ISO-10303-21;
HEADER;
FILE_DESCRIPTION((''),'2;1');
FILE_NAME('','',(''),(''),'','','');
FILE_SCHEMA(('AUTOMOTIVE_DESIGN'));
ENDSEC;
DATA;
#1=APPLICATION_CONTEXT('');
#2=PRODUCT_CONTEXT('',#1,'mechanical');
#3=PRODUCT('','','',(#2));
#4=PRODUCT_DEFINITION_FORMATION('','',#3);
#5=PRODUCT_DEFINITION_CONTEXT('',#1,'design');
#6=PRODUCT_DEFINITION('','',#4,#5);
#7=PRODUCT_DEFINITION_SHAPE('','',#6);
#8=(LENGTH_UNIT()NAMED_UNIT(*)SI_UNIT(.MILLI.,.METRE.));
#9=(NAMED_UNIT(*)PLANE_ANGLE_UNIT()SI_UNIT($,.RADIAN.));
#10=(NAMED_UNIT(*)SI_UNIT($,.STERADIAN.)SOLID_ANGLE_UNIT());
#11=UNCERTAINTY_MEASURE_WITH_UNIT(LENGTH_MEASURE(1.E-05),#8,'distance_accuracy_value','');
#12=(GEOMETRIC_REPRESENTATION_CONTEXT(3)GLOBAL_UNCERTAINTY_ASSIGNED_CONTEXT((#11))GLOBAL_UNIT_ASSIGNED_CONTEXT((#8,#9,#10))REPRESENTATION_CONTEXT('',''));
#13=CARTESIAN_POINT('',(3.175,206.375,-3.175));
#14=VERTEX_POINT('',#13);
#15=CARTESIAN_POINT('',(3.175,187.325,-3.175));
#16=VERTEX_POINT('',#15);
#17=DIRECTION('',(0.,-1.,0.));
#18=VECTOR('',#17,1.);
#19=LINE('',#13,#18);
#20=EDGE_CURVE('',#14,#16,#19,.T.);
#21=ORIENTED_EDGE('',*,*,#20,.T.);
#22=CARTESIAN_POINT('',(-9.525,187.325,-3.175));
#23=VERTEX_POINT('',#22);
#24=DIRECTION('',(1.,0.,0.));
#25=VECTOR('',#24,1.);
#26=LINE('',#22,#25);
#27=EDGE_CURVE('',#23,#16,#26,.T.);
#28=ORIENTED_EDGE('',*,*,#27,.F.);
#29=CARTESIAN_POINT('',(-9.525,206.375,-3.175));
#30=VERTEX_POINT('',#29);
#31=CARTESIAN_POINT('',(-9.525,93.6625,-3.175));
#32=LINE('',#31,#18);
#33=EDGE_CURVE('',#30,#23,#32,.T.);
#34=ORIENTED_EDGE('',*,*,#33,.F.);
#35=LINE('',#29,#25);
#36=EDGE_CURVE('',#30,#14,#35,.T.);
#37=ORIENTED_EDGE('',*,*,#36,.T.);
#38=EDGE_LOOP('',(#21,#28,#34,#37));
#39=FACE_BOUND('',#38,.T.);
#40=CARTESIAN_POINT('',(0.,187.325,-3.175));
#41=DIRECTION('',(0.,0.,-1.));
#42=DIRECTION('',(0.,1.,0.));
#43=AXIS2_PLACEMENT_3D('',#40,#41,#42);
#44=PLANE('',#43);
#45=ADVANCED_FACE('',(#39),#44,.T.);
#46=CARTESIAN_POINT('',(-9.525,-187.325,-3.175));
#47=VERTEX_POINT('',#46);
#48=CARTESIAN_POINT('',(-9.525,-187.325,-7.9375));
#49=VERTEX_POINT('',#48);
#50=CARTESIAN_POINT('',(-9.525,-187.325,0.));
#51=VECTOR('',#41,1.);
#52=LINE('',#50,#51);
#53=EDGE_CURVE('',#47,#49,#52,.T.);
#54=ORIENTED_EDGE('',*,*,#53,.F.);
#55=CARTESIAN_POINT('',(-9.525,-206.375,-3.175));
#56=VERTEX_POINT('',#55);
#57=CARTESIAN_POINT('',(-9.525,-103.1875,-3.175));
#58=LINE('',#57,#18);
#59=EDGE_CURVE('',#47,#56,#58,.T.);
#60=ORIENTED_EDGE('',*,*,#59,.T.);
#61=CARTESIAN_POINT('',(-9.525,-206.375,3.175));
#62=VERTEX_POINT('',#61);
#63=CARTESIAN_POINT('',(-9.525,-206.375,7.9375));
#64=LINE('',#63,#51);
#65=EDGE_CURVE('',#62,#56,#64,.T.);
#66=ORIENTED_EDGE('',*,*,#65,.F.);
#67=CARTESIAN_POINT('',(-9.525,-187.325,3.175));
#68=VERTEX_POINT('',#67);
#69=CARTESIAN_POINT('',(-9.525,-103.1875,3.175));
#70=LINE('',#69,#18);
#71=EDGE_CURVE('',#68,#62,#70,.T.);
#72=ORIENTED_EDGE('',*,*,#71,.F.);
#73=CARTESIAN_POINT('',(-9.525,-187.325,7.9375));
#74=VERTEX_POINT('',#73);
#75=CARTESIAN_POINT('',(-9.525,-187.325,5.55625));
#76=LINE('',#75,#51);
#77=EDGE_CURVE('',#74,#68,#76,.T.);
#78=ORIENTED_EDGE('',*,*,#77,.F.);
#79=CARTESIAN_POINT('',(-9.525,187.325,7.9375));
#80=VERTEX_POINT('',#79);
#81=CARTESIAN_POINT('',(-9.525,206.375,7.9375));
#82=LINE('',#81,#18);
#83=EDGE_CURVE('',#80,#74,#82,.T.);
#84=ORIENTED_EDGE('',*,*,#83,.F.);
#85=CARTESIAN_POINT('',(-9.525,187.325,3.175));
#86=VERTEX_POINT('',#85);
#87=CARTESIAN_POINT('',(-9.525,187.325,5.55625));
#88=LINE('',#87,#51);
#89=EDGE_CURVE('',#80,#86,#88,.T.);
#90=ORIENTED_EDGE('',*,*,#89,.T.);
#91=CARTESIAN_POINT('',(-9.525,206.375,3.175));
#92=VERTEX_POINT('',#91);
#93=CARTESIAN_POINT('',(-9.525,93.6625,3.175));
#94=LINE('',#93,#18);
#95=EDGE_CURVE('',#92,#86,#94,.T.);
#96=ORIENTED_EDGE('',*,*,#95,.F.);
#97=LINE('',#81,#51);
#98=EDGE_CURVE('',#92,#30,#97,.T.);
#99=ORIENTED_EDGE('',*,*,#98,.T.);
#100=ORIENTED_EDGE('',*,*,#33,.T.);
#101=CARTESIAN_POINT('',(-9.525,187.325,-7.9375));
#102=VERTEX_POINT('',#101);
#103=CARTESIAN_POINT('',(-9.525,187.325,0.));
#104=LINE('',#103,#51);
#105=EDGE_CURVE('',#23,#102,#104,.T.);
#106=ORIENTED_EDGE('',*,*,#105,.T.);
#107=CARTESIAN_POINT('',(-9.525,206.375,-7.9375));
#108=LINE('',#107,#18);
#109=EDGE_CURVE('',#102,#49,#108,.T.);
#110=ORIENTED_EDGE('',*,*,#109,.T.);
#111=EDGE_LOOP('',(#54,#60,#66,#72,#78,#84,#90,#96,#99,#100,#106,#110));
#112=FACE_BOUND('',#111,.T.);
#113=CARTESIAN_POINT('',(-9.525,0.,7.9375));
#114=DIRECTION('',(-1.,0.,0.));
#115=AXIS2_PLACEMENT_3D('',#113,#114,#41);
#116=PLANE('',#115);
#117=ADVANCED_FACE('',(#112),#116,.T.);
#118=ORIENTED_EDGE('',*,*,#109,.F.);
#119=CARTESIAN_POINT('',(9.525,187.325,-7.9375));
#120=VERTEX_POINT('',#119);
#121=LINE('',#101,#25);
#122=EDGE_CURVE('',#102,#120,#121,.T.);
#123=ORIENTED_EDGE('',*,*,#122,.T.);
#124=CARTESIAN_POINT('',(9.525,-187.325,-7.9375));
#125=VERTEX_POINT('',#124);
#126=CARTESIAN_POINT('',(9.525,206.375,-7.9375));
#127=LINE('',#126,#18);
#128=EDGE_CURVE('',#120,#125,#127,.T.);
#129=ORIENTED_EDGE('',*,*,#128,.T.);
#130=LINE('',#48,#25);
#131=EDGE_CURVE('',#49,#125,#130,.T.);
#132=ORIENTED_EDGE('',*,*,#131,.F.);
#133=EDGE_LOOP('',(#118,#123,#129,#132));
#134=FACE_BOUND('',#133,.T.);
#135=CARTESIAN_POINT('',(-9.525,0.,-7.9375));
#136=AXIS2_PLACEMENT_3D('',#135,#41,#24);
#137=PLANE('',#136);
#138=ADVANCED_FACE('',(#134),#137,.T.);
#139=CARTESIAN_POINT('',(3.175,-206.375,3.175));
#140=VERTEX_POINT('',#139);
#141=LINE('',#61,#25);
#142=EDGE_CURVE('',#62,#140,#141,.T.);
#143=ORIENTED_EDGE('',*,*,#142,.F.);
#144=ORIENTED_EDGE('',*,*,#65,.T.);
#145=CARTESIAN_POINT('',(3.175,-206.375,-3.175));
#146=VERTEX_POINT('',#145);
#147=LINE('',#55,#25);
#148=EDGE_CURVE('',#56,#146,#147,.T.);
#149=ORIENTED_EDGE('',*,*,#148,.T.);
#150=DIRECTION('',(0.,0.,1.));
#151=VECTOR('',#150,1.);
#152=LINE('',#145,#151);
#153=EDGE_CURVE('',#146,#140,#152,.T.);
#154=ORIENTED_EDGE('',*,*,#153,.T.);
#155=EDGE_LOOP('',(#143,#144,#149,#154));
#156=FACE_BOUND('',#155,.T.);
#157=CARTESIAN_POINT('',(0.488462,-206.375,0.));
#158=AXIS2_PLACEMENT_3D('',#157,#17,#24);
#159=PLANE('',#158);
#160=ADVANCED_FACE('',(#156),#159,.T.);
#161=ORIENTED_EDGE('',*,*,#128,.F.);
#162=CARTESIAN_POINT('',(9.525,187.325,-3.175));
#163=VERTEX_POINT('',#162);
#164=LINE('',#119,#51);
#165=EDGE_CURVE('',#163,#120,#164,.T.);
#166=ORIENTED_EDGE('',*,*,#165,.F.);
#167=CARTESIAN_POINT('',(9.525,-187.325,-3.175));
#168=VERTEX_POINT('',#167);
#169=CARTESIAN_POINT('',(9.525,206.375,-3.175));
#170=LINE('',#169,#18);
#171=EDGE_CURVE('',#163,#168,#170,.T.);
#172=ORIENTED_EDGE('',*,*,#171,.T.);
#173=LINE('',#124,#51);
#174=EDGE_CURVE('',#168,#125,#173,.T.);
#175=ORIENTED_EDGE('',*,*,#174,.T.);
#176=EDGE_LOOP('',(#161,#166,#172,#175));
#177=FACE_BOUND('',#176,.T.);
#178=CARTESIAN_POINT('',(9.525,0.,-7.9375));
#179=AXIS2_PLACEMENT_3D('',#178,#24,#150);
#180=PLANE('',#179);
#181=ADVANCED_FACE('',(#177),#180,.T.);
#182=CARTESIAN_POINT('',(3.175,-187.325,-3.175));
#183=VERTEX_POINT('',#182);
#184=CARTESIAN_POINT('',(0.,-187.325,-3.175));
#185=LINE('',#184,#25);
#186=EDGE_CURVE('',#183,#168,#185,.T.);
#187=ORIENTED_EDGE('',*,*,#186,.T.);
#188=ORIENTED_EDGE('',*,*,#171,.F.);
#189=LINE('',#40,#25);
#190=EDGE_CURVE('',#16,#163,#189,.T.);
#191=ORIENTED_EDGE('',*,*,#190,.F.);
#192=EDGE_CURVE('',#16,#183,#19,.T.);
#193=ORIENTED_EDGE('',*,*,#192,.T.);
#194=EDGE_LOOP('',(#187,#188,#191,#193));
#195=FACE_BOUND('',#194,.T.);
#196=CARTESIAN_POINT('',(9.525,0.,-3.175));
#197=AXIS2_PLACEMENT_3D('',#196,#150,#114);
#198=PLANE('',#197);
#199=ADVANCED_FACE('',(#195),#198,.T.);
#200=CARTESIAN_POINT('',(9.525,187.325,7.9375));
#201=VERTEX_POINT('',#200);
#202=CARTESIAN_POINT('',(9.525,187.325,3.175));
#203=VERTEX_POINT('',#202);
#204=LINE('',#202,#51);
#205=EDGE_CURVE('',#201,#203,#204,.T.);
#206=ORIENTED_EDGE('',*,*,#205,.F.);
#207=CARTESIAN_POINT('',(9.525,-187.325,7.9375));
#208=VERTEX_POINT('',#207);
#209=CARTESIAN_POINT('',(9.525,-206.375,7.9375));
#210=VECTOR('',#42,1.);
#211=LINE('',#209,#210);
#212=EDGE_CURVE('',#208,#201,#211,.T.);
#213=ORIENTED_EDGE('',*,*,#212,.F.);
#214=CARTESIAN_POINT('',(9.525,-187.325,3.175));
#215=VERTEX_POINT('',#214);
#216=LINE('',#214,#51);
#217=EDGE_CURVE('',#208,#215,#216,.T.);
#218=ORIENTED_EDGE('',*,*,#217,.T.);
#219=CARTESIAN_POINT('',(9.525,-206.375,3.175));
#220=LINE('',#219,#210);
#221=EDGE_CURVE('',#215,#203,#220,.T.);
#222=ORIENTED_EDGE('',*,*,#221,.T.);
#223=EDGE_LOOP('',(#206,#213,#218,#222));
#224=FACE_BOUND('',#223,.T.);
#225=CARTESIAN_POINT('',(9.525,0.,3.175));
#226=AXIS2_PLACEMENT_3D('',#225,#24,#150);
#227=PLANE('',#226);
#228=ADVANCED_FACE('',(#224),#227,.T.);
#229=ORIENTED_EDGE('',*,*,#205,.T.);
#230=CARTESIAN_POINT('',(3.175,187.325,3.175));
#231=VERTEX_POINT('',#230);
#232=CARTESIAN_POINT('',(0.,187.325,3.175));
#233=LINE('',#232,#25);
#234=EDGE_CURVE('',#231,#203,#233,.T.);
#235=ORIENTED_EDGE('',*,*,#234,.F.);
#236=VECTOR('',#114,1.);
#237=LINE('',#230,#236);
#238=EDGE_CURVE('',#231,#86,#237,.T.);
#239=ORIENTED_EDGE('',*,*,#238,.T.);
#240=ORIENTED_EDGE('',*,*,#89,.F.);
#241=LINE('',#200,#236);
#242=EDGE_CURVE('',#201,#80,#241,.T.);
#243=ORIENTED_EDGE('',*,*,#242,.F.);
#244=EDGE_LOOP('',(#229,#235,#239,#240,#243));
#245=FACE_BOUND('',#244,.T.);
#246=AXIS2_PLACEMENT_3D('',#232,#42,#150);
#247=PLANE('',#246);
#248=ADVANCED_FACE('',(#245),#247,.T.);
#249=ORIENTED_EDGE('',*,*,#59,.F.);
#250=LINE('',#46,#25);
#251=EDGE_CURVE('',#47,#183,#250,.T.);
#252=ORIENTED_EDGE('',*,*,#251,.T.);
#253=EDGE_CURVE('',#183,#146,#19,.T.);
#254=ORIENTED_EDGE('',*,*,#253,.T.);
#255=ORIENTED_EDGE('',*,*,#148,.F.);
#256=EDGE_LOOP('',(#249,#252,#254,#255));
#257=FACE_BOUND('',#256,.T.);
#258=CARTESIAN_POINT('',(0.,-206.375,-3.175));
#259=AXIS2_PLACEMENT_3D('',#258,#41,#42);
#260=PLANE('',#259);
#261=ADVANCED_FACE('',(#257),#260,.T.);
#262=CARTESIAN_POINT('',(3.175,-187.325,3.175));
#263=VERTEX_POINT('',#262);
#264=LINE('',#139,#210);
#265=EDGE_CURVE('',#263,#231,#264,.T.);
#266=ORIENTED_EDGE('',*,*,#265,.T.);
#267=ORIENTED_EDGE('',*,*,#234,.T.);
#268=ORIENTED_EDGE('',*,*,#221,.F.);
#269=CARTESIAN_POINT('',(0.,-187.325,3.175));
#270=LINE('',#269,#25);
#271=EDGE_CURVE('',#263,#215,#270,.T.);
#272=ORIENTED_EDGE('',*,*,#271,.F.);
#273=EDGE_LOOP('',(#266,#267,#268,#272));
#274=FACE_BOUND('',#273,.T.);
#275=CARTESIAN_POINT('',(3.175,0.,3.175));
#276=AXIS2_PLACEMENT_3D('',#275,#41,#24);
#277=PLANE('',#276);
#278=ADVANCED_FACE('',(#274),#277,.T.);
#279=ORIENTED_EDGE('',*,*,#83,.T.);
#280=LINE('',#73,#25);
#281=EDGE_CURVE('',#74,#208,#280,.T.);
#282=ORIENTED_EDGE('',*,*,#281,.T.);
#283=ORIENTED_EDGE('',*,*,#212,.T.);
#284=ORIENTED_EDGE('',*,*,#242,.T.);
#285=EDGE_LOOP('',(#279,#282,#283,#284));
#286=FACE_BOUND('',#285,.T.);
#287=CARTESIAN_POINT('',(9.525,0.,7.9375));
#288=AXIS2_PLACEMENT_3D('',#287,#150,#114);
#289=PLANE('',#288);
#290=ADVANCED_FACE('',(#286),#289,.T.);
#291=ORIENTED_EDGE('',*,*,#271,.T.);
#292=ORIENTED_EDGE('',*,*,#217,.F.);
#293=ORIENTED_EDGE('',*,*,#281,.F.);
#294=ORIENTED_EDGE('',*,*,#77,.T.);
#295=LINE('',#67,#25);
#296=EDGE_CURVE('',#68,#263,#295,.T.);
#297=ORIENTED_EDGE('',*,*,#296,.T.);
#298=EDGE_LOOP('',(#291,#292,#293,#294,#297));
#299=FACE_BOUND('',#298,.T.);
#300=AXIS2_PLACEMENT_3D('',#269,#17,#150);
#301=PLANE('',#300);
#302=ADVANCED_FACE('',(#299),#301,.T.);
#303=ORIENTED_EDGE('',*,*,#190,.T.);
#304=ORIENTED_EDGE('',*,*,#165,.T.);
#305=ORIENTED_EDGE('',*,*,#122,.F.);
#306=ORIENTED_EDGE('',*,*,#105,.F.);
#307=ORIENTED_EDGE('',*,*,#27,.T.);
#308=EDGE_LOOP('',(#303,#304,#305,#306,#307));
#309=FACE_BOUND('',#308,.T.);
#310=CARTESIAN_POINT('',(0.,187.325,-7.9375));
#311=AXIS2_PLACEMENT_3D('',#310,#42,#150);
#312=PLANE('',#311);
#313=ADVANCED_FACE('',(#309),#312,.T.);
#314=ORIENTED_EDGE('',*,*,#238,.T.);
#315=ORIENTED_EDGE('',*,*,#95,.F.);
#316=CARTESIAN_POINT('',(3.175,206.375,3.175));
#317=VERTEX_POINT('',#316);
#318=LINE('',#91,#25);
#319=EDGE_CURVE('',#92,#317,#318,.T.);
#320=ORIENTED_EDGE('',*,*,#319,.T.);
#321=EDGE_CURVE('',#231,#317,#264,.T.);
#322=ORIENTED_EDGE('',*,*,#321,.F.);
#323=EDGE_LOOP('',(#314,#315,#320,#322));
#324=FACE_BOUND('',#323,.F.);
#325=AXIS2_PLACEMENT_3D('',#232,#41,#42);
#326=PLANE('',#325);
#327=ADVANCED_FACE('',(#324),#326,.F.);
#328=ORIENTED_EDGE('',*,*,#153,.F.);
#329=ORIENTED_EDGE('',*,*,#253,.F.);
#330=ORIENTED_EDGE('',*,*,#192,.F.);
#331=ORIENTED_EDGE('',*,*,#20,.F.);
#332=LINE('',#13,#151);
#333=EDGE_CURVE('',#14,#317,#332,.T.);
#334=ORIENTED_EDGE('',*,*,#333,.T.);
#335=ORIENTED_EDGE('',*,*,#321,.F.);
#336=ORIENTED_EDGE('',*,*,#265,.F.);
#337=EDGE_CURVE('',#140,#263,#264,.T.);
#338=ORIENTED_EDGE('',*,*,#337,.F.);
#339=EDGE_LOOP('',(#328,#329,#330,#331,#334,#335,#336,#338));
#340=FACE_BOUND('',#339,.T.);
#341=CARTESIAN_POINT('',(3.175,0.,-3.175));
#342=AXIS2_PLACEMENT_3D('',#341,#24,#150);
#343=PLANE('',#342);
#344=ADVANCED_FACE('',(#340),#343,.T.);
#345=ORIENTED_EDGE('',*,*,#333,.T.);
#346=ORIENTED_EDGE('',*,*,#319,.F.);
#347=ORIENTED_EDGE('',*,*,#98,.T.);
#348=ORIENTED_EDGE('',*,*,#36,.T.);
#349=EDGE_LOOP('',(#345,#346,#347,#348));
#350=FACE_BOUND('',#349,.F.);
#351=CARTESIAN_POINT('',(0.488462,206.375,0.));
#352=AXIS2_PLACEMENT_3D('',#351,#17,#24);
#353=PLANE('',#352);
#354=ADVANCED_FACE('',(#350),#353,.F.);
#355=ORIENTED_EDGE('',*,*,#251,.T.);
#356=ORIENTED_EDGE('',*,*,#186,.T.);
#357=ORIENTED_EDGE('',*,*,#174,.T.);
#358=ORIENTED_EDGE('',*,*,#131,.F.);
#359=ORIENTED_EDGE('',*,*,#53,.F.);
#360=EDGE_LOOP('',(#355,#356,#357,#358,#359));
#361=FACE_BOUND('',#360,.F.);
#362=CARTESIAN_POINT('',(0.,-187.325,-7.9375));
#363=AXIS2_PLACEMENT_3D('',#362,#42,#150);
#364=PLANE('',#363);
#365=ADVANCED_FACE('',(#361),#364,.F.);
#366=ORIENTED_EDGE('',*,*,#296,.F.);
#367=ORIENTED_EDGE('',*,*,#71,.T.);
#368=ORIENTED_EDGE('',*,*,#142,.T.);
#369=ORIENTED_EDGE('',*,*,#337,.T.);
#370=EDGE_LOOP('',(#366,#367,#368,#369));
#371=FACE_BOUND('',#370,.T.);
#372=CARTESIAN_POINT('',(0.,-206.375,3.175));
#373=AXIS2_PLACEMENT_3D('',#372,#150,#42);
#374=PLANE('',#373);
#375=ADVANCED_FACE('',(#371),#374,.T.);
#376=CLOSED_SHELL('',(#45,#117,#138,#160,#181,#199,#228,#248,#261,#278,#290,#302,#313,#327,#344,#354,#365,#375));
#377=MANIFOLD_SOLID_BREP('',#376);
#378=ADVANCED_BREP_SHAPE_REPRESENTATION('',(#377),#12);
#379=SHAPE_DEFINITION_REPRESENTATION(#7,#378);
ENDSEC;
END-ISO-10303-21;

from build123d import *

# Parameters (mm, degrees)
F1_DEPTH      = 206.375
F2_W          = 19.05
F2_H          = 4.7625
F3_DEPTH      = 9.526
F3_DEPTH_BACK = 9.526


with BuildPart() as f1:
    # F0 (on Front) → F1 (new body, symmetric)
    with BuildSketch(Plane.XZ):
        Polygon((9.525, 7.9375), (-9.525, 7.9375), (-9.525, -7.9375), (9.525, -7.9375), (9.525, -3.175), (3.175, -3.175), (3.175, 3.175), (9.525, 3.175), align=None)
    extrude(amount=F1_DEPTH, both=True)

    # F2 (on Right) → F3 (cut, two sides)
    with BuildSketch(Plane.YZ) as f3_sk:
        with Locations((-196.85, 5.55625)):
            Rectangle(F2_W, F2_H)
        with Locations((-196.85, -5.55625)):
            Rectangle(F2_W, F2_H)
        with Locations((196.85, 5.55625)):
            Rectangle(F2_W, F2_H)
        with Locations((196.85, -5.55625)):
            Rectangle(F2_W, F2_H)
    extrude(amount=-F3_DEPTH, mode=Mode.SUBTRACT)
    extrude(f3_sk.sketch, amount=F3_DEPTH_BACK, mode=Mode.SUBTRACT)


solid = f1.part
